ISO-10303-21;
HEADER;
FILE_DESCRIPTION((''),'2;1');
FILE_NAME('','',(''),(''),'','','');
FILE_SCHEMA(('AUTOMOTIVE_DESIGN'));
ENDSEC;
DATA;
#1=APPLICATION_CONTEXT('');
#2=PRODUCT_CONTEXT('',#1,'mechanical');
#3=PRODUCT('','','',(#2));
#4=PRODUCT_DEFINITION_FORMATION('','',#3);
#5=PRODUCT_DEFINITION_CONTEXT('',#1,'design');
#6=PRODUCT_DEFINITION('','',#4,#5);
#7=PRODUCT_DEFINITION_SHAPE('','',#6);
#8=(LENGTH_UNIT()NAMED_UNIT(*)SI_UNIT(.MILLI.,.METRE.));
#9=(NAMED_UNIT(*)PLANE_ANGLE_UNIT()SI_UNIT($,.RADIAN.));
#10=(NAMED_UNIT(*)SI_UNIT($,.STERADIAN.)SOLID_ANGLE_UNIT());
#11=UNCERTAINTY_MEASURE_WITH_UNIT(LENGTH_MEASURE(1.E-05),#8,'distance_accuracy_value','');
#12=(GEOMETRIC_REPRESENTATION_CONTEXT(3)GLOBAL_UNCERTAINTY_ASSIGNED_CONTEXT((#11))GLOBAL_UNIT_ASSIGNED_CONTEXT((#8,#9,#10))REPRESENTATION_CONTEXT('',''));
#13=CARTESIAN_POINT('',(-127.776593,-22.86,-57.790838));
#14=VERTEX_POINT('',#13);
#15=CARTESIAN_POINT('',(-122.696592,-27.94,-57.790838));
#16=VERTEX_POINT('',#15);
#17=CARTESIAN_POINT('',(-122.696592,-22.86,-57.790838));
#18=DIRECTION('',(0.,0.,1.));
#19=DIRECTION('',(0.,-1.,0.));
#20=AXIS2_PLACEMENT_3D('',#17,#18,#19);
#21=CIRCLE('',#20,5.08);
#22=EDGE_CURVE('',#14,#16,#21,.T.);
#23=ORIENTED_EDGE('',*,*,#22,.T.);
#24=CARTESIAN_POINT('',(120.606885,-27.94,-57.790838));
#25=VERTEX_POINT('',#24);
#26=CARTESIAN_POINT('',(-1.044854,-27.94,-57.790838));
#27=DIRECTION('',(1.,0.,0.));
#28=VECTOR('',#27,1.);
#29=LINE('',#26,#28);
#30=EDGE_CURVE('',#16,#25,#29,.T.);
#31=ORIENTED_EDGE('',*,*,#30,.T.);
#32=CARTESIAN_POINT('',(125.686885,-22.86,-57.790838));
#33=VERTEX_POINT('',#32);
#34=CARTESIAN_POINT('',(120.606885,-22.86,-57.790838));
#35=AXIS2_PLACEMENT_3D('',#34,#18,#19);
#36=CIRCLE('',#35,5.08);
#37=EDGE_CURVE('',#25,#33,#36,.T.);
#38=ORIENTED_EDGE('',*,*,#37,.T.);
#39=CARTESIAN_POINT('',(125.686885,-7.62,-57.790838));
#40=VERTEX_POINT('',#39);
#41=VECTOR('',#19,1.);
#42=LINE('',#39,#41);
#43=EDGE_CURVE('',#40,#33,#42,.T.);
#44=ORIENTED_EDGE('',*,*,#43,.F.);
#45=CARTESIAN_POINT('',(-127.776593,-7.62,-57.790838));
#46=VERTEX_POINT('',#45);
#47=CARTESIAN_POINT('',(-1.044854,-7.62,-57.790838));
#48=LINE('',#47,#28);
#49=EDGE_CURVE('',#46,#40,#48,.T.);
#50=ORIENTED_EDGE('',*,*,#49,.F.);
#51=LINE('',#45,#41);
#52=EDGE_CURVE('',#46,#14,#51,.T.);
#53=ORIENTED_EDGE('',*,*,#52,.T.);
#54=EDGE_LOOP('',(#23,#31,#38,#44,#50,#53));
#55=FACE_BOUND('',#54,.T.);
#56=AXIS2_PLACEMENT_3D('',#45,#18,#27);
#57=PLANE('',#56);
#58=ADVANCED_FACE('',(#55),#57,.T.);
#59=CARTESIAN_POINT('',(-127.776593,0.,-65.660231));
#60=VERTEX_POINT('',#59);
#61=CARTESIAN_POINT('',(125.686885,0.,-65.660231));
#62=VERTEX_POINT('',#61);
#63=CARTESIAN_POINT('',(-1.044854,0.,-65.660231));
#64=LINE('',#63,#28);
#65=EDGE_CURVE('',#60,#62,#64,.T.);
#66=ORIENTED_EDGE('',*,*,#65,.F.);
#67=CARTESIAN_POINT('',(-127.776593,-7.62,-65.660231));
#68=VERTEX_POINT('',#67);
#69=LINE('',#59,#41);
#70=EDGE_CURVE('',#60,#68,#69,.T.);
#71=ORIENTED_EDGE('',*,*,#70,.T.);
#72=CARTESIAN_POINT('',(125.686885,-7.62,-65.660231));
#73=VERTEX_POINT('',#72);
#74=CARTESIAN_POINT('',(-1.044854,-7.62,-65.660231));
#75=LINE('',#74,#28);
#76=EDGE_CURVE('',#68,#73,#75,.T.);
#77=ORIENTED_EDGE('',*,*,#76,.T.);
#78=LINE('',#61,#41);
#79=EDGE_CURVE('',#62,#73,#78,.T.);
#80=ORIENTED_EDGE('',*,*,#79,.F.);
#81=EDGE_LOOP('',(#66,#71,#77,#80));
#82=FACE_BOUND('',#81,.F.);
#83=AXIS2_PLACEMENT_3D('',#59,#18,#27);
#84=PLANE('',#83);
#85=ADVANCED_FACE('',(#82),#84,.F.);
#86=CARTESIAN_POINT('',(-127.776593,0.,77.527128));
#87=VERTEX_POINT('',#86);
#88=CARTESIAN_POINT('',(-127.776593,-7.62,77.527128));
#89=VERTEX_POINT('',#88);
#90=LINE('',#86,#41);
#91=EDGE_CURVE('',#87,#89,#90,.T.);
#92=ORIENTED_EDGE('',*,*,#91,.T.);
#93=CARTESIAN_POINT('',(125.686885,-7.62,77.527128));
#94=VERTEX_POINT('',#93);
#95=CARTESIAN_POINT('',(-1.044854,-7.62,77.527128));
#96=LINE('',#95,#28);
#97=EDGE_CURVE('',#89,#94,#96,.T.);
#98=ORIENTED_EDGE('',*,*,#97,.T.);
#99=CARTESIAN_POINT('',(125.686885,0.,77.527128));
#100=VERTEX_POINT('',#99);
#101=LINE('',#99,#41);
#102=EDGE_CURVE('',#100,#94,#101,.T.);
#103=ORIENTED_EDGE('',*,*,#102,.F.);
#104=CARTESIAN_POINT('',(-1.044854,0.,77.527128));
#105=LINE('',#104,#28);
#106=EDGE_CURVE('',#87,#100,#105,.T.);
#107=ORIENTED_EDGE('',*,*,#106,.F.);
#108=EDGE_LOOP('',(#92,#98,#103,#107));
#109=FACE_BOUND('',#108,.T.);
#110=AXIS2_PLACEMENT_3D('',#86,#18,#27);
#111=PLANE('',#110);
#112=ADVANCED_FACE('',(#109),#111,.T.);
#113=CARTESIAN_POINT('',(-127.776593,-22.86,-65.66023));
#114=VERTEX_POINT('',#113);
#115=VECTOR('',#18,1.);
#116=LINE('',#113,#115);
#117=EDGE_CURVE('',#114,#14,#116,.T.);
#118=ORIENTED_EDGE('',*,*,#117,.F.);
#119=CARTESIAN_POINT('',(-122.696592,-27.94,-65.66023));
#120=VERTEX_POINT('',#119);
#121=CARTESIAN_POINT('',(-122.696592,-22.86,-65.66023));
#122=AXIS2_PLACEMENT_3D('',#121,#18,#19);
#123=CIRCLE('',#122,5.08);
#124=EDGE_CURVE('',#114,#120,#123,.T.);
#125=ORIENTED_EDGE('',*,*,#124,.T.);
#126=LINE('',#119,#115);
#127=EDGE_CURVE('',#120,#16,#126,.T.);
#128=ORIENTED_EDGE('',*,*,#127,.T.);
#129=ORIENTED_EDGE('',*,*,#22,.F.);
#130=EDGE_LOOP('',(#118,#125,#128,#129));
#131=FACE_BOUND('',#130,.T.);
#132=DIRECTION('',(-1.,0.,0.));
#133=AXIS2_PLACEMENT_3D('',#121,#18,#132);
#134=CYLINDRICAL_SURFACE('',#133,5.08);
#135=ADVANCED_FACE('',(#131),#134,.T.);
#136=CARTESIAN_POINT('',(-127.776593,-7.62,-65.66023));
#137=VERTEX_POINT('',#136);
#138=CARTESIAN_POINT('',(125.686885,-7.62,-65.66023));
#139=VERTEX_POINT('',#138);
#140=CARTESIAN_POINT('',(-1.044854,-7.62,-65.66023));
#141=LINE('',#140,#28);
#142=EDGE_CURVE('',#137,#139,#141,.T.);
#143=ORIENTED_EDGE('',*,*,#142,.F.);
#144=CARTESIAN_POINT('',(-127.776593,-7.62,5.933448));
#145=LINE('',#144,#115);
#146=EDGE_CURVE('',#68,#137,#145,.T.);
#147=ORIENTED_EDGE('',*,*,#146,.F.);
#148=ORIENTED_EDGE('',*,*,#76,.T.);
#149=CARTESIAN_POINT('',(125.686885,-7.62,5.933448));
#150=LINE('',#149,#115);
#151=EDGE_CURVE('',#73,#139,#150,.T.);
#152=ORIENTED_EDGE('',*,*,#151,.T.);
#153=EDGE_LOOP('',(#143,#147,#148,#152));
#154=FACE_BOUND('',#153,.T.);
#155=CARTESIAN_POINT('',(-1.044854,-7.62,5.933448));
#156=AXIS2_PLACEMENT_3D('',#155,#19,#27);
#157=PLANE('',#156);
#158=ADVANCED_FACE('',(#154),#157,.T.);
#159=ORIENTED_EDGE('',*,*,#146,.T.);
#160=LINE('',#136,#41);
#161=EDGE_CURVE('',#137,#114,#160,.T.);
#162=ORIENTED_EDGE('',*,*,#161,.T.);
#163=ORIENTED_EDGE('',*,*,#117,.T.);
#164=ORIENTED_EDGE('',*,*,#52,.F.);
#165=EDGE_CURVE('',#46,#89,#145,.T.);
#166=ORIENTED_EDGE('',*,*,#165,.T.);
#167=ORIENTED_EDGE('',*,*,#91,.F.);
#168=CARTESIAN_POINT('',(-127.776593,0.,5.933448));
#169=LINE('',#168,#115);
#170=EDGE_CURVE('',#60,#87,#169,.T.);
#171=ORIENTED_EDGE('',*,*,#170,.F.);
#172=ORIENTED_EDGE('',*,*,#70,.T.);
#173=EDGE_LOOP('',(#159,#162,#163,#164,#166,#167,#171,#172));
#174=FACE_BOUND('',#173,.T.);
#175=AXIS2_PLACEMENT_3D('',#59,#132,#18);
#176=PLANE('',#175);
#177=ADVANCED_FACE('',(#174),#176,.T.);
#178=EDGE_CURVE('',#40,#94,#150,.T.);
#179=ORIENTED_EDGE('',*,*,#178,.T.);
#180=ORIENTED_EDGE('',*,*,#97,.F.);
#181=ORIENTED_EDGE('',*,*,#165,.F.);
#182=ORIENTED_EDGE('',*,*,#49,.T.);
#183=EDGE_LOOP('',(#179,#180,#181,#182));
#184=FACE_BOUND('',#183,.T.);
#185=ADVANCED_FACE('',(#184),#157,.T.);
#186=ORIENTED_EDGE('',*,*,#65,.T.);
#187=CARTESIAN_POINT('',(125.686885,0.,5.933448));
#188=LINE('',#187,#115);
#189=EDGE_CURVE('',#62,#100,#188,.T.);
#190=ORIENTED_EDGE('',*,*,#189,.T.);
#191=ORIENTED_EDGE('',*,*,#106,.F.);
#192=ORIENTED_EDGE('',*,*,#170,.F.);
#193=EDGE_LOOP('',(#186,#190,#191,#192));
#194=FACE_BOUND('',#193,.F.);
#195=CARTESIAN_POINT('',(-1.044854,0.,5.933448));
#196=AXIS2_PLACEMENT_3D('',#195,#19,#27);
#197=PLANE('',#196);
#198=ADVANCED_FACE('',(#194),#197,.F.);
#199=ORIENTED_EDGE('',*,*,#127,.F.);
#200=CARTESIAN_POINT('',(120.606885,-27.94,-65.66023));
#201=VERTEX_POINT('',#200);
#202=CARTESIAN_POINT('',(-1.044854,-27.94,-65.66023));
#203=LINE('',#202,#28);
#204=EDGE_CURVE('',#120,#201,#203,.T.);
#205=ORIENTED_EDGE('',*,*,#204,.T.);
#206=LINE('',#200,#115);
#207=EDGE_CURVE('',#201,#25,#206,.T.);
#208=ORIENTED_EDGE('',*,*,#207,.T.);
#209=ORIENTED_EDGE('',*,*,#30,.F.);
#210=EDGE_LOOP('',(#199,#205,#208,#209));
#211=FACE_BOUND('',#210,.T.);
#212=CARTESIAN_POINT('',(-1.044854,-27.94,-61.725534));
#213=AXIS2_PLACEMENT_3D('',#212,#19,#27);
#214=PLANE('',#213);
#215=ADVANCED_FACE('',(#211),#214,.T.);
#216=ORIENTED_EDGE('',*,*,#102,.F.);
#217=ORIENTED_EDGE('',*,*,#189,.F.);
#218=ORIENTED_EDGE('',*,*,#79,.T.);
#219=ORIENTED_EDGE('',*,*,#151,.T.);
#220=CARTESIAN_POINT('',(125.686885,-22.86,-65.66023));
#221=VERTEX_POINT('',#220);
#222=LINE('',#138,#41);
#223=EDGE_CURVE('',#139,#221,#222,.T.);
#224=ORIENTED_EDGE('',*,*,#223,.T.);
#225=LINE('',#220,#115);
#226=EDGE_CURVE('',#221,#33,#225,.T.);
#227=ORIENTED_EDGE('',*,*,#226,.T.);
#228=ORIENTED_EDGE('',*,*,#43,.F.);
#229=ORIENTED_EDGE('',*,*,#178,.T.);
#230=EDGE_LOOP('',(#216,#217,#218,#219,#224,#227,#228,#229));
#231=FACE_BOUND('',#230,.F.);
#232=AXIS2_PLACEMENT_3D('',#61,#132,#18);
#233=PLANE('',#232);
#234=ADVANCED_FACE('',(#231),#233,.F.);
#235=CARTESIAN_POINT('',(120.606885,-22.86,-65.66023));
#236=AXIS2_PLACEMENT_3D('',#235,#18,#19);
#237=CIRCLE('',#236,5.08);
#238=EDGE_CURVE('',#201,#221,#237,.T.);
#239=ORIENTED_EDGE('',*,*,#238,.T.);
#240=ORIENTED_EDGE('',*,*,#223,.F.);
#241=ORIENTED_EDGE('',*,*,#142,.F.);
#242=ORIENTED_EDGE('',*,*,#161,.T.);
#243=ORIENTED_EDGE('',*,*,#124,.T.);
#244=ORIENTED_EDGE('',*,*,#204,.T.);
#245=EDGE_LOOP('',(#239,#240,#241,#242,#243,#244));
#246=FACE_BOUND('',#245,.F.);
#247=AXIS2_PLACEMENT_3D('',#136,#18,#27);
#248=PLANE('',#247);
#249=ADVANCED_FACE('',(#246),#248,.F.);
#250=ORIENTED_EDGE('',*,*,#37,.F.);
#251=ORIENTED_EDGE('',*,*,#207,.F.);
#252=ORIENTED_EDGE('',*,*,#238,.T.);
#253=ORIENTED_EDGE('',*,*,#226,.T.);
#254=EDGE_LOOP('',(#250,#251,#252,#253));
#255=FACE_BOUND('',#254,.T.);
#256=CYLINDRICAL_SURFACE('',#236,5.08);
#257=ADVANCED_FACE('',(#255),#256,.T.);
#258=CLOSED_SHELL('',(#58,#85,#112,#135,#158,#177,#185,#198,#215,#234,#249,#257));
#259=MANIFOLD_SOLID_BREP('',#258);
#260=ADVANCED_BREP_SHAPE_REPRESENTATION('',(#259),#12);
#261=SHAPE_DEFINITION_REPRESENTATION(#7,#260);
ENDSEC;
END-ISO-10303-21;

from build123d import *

# Parameters (mm, degrees)
F0_W     = 253.463477
F0_H     = 143.187359
F1_DEPTH = 7.62
F2_W     = 253.463477
F2_H     = 7.869393
F3_DEPTH = 20.32
F4_R     = 5.08
F5_R     = 5.08


with BuildPart() as f1:
    # F0 (on Front) → F1 (new body)
    with BuildSketch(Plane.XZ):
        with Locations((-1.044854, 5.933448)):
            Rectangle(F0_W, F0_H)
    extrude(amount=F1_DEPTH)

    # F2 (on face) → F3 (join)
    with BuildSketch(Plane.XZ.offset(7.62)):
        with Locations((-1.044854, -61.725534)):
            Rectangle(F2_W, F2_H)
    extrude(amount=F3_DEPTH)

    # F4
    f4_edges = [f1.edges().sort_by_distance(p)[0] for p in [
        (-127.776593, -27.94, -61.725534),
    ]]
    fillet(f4_edges, radius=F4_R)

    # F5
    f5_edges = [f1.edges().sort_by_distance(p)[0] for p in [
        (125.686884, -27.94, -61.725534),
    ]]
    fillet(f5_edges, radius=F5_R)


solid = f1.part
